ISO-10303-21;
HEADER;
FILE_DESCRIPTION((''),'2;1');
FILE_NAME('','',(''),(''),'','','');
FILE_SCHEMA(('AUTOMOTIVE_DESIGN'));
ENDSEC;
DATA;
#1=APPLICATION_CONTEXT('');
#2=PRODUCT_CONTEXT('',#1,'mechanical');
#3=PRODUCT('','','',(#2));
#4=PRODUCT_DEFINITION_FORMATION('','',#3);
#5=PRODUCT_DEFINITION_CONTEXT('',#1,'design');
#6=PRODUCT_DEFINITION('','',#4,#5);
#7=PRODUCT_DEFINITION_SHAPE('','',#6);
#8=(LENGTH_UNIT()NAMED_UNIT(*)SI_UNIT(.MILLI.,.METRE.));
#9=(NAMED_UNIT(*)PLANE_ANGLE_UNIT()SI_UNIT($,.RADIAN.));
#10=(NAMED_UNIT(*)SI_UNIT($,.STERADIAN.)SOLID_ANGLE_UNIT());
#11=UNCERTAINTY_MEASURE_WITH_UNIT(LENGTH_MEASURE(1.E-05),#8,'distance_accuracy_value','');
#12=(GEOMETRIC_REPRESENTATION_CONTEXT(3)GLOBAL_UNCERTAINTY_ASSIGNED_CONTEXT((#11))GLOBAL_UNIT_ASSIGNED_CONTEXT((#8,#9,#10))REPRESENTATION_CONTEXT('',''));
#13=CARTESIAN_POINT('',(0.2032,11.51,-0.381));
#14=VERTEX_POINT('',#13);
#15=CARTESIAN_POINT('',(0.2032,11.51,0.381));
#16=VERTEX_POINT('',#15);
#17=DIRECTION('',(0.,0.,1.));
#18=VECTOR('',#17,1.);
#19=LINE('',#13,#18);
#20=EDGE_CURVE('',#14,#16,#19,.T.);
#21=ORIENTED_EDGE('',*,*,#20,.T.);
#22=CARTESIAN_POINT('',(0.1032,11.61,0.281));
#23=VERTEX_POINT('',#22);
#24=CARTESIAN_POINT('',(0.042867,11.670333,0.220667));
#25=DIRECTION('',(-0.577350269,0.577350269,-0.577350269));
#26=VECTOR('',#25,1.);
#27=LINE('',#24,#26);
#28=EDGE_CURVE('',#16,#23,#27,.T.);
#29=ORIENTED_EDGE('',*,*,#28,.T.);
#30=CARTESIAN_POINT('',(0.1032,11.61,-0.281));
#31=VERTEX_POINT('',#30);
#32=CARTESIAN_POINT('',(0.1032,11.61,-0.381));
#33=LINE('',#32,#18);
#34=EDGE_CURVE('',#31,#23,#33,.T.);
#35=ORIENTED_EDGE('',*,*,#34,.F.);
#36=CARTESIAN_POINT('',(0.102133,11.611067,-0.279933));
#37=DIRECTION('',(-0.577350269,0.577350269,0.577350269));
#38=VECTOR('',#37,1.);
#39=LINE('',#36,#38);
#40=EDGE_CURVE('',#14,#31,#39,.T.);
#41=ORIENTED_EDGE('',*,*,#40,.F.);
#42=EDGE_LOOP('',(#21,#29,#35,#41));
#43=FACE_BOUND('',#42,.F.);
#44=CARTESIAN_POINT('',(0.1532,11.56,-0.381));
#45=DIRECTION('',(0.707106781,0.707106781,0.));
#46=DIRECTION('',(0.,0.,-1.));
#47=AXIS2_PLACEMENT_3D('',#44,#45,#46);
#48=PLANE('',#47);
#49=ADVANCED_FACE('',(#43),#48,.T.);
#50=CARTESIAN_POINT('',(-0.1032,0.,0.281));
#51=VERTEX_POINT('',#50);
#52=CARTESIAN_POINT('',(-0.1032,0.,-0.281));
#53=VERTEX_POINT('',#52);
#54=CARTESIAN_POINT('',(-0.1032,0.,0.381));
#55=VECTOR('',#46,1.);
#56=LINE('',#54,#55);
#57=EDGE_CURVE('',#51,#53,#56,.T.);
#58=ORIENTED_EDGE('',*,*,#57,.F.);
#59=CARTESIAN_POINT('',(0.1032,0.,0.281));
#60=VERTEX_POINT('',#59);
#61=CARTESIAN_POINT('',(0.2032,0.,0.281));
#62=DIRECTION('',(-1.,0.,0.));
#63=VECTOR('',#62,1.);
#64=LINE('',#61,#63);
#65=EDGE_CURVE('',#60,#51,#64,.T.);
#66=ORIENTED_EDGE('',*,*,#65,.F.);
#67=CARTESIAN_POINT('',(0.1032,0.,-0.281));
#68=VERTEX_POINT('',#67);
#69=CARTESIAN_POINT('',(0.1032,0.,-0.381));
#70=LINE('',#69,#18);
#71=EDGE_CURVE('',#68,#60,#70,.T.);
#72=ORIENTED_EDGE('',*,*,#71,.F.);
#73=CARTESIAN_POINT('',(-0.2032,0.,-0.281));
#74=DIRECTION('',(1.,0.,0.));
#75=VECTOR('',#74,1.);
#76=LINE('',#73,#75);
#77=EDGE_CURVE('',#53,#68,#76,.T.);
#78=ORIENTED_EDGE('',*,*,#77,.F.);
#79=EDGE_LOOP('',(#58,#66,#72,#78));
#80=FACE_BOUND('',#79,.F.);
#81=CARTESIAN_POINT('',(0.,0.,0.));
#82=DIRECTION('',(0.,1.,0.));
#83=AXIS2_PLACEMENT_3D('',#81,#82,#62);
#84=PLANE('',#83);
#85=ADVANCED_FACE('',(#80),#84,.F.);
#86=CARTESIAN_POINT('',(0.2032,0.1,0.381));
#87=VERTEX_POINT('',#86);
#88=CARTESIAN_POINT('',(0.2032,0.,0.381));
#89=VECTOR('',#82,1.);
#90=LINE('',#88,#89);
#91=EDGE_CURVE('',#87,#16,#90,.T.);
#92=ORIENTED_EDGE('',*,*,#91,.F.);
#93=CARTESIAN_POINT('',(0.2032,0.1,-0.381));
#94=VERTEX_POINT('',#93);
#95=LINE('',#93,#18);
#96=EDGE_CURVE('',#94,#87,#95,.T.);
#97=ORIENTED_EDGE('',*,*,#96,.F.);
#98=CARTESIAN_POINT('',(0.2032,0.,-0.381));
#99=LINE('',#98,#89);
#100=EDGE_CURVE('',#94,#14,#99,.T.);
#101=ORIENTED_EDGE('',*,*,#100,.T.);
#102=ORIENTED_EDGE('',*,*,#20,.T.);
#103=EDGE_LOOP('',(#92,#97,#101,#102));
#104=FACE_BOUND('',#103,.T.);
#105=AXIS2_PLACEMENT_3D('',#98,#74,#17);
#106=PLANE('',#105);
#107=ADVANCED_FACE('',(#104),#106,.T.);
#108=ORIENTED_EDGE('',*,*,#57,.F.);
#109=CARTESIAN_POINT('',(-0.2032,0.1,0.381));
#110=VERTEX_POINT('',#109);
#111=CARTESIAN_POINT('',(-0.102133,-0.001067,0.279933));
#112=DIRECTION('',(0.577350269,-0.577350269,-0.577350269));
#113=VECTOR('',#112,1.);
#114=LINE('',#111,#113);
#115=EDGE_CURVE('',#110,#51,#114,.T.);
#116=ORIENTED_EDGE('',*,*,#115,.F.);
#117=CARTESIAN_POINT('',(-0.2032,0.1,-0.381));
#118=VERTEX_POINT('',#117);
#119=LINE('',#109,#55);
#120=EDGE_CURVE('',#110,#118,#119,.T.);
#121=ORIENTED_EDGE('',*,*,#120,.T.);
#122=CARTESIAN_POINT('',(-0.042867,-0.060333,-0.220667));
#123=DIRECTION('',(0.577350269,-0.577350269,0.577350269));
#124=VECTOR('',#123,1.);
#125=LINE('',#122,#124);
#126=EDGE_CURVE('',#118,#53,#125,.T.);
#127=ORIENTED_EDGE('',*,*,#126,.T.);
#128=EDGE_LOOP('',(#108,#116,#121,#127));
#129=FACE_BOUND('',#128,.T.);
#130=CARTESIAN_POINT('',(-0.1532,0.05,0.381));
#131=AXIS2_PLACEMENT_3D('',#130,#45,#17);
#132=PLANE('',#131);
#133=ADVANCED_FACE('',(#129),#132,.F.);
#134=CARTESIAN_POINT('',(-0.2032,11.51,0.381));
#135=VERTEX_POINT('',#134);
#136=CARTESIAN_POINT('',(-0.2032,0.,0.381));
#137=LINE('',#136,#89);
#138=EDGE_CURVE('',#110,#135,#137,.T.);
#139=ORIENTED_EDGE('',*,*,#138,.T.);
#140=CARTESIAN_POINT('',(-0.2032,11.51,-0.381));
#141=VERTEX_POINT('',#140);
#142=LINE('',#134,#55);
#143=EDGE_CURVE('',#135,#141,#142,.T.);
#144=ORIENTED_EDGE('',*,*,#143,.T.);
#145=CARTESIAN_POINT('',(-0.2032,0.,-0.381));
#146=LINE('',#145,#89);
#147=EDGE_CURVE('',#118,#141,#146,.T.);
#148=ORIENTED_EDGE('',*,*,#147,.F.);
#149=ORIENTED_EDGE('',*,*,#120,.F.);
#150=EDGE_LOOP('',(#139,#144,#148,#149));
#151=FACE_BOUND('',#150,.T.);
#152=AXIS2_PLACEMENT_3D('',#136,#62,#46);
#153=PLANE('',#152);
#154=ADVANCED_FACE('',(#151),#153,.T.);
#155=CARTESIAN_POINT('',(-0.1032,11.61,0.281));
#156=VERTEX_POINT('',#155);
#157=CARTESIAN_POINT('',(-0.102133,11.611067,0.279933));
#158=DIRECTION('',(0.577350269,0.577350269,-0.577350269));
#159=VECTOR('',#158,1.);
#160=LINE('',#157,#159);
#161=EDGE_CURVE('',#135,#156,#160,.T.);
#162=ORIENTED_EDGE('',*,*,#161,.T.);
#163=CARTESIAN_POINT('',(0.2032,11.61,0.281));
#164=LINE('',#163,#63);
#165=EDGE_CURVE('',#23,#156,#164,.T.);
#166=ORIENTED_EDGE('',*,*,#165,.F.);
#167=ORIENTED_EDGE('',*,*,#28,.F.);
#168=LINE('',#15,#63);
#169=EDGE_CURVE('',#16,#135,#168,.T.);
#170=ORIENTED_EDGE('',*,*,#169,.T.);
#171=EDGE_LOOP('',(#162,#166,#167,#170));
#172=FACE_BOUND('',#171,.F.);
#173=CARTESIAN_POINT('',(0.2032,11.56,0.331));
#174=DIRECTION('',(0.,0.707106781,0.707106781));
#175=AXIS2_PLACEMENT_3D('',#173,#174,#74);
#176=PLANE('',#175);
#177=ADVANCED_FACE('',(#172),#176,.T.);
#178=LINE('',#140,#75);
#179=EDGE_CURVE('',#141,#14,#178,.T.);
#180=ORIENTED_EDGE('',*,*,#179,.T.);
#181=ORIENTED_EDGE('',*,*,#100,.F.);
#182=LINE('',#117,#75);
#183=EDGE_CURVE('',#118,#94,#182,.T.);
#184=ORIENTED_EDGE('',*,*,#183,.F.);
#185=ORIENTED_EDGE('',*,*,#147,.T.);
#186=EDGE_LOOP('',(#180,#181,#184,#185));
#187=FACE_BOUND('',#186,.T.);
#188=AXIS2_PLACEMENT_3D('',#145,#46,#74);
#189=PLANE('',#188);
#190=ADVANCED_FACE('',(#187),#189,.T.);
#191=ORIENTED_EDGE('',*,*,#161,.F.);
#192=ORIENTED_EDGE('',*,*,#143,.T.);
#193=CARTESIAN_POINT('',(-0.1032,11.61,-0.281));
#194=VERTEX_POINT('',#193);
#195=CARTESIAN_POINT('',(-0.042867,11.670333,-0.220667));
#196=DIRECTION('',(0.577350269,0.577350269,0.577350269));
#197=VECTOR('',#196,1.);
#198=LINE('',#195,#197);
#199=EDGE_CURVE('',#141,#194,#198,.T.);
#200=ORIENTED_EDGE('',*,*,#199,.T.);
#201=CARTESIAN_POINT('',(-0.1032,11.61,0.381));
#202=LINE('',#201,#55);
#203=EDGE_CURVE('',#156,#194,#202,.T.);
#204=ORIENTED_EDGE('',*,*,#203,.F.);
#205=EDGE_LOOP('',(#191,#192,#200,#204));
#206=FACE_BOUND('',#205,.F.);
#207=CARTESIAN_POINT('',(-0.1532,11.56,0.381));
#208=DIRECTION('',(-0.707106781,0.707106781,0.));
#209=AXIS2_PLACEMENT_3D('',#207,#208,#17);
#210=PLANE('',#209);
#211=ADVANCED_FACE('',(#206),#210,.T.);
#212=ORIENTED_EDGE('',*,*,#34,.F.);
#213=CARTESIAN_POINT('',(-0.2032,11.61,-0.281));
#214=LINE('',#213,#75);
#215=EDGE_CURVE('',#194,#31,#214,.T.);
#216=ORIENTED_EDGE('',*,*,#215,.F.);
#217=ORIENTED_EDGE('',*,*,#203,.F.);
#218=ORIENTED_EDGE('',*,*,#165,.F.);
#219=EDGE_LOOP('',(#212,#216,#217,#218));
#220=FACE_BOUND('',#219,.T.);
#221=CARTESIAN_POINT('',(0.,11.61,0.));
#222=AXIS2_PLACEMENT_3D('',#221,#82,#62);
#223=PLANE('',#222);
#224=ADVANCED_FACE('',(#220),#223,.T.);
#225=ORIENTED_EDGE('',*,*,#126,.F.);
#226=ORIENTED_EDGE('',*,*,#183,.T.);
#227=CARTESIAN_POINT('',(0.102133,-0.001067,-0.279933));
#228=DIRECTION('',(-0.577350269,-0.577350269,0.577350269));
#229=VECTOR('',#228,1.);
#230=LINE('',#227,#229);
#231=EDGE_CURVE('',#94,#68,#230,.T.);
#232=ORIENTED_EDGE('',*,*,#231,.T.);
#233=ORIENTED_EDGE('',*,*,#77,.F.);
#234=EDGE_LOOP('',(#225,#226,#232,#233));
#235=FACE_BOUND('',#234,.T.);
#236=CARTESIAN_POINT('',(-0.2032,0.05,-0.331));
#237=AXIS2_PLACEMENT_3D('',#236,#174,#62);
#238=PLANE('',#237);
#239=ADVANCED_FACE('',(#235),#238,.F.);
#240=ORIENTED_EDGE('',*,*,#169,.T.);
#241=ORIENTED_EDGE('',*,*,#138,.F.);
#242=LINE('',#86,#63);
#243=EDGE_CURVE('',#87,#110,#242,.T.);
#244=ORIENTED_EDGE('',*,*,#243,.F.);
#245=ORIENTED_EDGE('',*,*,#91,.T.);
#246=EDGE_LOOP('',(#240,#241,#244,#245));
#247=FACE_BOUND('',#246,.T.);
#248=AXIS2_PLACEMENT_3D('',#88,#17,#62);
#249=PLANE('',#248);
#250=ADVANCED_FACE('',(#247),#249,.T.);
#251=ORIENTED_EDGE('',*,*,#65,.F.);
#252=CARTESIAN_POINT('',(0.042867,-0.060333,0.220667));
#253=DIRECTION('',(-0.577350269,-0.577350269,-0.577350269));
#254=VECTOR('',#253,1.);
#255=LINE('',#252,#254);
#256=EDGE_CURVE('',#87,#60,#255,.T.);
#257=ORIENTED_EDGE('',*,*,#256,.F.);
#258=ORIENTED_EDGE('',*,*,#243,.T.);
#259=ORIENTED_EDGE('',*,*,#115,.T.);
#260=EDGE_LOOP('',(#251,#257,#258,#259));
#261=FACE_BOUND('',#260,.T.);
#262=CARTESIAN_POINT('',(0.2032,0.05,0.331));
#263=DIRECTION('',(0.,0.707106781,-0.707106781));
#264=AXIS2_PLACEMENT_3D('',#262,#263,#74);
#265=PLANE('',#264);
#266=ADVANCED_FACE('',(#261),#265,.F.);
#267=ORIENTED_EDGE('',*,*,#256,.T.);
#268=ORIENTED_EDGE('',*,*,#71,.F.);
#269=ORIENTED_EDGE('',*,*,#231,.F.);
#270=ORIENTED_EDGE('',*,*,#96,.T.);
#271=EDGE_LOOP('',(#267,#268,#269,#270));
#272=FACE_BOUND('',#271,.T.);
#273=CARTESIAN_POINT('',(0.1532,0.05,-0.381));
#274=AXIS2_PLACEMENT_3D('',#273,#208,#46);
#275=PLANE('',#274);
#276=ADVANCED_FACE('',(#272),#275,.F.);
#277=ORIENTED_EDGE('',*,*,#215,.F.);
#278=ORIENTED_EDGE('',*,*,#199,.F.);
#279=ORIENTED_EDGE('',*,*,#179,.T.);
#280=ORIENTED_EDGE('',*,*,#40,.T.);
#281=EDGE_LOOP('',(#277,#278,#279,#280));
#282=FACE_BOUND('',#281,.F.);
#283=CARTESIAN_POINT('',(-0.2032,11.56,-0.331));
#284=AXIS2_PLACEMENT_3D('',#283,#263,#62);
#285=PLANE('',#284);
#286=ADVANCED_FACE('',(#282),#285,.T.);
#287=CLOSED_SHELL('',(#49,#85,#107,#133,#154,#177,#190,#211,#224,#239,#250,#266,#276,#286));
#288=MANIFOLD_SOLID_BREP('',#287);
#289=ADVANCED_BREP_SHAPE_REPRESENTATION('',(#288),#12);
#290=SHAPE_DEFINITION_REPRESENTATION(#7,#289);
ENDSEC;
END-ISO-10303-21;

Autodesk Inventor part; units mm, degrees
ref_plane "YZ Plane" through (0, 0, 0) normal (1, 0, 0) x (0, 1, 0)
ref_plane "XZ Plane" through (0, 0, 0) normal (0, 1, 0) x (-1, 0, 0)
ref_plane "XY Plane" through (0, 0, 0) normal (0, 0, 1) x (1, 0, 0)
sketch "Sketch1" plane through (0, 0, 0) normal (0, 1, 0) x (-1, 0, 0)
  line L0 (0.2032, -0.381) -> (-0.2032, -0.381)
  line L1 (-0.2032, -0.381) -> (-0.2032, 0.381)
  line L2 (-0.2032, 0.381) -> (0.2032, 0.381)
  line L3 (0.2032, 0.381) -> (0.2032, -0.381)
  line L4 (0.2032, -0.381) -> (-0.2032, 0.381) construction
  line L5 (-0.2032, -0.381) -> (0.2032, 0.381) construction
  point P0 (0, 0)
  dimension "d0" = 0.4064
  dimension "d1" = 0.762
extrude "Extrusion1" add sketch "Sketch1" along normal blind 11.61
chamfer "Chamfer1" distance 0.1 angle 45 8 edges at (0.2032, 11.61, 0) (0, 11.61, -0.381) (0, 11.61, 0.381) (-0.2032, 11.61, 0) (0.2032, 0, 0) (0, 0, -0.381) (0, 0, 0.381) (-0.2032, 0, 0)
properties part number "Pin" material "Gold"
